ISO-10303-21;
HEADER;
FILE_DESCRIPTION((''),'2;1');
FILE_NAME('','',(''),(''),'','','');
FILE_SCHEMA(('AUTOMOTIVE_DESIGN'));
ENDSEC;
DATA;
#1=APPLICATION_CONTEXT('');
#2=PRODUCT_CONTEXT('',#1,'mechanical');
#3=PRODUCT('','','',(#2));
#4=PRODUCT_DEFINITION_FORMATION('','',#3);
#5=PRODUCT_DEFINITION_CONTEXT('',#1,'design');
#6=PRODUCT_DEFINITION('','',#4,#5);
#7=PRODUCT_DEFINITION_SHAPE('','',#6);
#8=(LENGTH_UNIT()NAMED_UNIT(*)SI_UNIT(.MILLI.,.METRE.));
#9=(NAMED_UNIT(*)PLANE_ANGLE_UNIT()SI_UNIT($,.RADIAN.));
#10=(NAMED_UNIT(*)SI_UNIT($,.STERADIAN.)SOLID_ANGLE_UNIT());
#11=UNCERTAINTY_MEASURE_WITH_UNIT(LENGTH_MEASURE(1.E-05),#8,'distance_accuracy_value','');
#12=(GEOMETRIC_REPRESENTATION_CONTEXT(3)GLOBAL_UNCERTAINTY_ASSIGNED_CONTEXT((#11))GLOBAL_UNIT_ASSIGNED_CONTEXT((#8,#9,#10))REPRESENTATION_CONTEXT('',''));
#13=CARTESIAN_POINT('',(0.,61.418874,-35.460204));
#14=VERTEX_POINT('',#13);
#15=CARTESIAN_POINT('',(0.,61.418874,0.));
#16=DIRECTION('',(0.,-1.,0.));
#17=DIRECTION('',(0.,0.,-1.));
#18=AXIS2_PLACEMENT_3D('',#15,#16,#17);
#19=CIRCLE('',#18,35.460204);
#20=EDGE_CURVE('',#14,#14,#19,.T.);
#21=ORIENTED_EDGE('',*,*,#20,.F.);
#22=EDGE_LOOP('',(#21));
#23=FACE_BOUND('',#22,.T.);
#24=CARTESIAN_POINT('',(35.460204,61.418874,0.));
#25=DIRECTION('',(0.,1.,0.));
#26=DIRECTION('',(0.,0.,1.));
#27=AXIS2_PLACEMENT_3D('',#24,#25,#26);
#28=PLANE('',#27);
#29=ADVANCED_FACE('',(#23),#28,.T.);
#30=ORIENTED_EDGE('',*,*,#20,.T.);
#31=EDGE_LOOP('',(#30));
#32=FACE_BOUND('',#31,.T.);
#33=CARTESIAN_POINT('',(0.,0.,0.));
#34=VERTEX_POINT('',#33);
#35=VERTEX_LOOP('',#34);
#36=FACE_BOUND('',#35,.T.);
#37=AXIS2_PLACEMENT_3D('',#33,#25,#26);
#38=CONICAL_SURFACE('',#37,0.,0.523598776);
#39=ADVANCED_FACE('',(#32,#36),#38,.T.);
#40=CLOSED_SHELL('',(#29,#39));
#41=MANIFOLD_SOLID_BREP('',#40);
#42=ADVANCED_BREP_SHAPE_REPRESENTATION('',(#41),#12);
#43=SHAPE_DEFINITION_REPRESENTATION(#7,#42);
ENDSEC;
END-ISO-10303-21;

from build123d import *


with BuildPart() as part:
    # Sketch1 → camera FOV (revolve)
    with BuildSketch(Plane.XY, mode=Mode.PRIVATE) as camera_fov_sk:
        Polygon((0, 0), (35.460203523, 61.418874148), (0, 61.418874148), align=None)
    revolve(camera_fov_sk.sketch.rotate(Axis((0, 1.161274283, 0), (0, 1, 0)), 270), axis=Axis((0, 1.161274283, 0), (0, 1, 0)))


solid = part.part
